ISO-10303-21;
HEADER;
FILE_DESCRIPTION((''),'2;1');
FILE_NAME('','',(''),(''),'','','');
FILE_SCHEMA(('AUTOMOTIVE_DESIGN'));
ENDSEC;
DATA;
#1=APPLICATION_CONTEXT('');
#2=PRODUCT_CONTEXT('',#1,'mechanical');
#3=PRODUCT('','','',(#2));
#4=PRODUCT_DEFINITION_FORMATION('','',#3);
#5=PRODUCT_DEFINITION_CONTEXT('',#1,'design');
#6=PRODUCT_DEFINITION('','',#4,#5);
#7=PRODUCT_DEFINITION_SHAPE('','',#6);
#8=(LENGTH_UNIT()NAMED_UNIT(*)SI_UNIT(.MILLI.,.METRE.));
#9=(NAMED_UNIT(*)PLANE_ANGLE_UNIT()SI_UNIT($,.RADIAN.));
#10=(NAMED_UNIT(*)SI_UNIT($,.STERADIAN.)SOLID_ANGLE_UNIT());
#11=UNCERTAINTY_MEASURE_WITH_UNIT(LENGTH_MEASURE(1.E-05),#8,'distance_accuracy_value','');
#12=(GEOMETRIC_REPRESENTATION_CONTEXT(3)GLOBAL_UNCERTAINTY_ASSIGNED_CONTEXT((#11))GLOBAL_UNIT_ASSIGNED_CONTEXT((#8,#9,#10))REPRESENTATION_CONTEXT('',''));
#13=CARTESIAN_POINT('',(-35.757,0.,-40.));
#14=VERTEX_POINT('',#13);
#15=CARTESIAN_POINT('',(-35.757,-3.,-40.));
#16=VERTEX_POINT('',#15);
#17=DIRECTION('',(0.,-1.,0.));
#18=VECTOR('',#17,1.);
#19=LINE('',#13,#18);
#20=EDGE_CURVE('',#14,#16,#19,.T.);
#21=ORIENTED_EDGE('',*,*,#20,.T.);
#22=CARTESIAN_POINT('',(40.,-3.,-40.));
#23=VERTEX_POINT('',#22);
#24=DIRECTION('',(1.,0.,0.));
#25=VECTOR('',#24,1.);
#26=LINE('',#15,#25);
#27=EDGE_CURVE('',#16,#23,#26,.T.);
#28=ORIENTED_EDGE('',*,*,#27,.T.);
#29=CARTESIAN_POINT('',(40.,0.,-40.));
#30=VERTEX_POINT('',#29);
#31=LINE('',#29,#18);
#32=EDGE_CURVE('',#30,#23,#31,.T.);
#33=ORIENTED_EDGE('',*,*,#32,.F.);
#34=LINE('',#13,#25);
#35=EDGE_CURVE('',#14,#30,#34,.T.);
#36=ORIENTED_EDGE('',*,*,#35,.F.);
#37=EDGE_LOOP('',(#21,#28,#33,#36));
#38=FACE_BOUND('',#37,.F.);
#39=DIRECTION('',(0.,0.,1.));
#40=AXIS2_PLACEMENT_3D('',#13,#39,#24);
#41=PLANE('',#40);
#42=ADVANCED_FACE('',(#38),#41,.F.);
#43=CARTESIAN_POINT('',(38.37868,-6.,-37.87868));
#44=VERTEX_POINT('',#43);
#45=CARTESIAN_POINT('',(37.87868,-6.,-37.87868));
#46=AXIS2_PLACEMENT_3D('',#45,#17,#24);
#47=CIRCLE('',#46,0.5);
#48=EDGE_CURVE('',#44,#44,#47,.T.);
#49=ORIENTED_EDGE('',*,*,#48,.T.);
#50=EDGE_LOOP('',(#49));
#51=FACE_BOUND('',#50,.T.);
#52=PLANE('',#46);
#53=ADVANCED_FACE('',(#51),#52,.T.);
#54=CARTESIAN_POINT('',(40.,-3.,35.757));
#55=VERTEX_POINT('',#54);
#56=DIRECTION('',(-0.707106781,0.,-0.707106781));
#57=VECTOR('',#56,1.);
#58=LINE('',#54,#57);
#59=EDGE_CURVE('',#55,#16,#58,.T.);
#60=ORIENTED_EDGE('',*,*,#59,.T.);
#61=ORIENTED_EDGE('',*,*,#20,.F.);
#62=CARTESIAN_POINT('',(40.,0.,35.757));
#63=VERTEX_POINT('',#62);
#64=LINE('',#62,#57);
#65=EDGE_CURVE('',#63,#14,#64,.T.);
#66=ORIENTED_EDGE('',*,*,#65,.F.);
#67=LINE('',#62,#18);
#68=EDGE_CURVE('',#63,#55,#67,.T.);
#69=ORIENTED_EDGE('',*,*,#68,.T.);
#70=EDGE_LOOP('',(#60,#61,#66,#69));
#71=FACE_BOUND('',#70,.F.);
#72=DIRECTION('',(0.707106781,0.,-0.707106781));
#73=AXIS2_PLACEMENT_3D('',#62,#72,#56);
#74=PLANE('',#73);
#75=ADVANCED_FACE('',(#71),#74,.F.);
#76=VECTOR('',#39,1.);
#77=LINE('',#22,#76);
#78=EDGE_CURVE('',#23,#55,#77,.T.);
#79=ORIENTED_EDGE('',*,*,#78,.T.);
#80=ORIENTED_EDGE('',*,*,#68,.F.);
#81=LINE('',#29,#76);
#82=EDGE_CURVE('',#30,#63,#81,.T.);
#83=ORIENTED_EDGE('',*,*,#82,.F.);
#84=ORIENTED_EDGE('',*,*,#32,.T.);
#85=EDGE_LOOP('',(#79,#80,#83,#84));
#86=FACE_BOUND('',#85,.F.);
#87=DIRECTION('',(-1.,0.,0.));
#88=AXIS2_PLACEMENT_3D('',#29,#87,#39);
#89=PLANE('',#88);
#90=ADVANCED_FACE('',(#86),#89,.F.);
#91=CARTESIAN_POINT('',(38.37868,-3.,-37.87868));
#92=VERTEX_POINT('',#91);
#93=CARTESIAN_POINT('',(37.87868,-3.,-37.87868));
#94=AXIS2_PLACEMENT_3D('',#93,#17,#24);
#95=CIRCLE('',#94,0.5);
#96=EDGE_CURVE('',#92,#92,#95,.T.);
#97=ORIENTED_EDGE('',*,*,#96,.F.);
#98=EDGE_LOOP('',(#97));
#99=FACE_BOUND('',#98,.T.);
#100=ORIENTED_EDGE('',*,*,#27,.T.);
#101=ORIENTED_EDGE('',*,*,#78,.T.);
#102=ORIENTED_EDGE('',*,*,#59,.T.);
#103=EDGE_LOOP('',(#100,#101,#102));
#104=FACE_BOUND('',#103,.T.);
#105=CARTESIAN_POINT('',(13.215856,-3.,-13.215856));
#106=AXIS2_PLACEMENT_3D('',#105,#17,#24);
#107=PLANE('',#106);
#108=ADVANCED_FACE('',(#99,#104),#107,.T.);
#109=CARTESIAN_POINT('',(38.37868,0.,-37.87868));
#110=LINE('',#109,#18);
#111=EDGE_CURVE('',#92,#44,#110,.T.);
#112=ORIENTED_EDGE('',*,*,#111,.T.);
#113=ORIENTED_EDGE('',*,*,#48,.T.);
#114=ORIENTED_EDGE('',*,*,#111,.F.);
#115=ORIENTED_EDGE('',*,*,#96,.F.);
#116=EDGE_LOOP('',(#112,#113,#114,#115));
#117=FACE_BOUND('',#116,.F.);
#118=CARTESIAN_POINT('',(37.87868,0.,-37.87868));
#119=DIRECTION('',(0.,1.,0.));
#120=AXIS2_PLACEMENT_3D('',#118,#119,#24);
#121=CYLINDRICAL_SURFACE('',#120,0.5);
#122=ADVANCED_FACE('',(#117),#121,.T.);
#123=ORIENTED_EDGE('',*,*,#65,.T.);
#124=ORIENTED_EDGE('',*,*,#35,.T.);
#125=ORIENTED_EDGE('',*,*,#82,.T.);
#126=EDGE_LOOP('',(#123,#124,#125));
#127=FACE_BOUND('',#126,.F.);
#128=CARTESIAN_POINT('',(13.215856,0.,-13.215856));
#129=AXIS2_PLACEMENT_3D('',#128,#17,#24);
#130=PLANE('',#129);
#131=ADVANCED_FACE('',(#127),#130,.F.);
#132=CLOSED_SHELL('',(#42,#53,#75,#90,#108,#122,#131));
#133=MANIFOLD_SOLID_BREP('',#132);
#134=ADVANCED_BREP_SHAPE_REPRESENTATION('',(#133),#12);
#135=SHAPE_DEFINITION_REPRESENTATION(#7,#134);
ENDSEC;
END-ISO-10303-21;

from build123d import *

# Parameters (mm, degrees)
F0_R     = 0.5
F1_DEPTH = 3
F2_DEPTH = 6


with BuildPart() as f1:
    # F0 (on Front) → F1 (new body)
    with BuildSketch(Plane.XZ):
        Polygon((-35.757, -40), (40, -40), (40, 35.757), align=None)
        with Locations((37.87868, -37.87868)):
            Circle(F0_R, mode=Mode.SUBTRACT)
    extrude(amount=F1_DEPTH)

    # F0 (on Front) → F2 (join)
    with BuildSketch(Plane.XZ):
        with Locations((37.87868, -37.87868)):
            Circle(F0_R)
    extrude(amount=F2_DEPTH)


solid = f1.part
